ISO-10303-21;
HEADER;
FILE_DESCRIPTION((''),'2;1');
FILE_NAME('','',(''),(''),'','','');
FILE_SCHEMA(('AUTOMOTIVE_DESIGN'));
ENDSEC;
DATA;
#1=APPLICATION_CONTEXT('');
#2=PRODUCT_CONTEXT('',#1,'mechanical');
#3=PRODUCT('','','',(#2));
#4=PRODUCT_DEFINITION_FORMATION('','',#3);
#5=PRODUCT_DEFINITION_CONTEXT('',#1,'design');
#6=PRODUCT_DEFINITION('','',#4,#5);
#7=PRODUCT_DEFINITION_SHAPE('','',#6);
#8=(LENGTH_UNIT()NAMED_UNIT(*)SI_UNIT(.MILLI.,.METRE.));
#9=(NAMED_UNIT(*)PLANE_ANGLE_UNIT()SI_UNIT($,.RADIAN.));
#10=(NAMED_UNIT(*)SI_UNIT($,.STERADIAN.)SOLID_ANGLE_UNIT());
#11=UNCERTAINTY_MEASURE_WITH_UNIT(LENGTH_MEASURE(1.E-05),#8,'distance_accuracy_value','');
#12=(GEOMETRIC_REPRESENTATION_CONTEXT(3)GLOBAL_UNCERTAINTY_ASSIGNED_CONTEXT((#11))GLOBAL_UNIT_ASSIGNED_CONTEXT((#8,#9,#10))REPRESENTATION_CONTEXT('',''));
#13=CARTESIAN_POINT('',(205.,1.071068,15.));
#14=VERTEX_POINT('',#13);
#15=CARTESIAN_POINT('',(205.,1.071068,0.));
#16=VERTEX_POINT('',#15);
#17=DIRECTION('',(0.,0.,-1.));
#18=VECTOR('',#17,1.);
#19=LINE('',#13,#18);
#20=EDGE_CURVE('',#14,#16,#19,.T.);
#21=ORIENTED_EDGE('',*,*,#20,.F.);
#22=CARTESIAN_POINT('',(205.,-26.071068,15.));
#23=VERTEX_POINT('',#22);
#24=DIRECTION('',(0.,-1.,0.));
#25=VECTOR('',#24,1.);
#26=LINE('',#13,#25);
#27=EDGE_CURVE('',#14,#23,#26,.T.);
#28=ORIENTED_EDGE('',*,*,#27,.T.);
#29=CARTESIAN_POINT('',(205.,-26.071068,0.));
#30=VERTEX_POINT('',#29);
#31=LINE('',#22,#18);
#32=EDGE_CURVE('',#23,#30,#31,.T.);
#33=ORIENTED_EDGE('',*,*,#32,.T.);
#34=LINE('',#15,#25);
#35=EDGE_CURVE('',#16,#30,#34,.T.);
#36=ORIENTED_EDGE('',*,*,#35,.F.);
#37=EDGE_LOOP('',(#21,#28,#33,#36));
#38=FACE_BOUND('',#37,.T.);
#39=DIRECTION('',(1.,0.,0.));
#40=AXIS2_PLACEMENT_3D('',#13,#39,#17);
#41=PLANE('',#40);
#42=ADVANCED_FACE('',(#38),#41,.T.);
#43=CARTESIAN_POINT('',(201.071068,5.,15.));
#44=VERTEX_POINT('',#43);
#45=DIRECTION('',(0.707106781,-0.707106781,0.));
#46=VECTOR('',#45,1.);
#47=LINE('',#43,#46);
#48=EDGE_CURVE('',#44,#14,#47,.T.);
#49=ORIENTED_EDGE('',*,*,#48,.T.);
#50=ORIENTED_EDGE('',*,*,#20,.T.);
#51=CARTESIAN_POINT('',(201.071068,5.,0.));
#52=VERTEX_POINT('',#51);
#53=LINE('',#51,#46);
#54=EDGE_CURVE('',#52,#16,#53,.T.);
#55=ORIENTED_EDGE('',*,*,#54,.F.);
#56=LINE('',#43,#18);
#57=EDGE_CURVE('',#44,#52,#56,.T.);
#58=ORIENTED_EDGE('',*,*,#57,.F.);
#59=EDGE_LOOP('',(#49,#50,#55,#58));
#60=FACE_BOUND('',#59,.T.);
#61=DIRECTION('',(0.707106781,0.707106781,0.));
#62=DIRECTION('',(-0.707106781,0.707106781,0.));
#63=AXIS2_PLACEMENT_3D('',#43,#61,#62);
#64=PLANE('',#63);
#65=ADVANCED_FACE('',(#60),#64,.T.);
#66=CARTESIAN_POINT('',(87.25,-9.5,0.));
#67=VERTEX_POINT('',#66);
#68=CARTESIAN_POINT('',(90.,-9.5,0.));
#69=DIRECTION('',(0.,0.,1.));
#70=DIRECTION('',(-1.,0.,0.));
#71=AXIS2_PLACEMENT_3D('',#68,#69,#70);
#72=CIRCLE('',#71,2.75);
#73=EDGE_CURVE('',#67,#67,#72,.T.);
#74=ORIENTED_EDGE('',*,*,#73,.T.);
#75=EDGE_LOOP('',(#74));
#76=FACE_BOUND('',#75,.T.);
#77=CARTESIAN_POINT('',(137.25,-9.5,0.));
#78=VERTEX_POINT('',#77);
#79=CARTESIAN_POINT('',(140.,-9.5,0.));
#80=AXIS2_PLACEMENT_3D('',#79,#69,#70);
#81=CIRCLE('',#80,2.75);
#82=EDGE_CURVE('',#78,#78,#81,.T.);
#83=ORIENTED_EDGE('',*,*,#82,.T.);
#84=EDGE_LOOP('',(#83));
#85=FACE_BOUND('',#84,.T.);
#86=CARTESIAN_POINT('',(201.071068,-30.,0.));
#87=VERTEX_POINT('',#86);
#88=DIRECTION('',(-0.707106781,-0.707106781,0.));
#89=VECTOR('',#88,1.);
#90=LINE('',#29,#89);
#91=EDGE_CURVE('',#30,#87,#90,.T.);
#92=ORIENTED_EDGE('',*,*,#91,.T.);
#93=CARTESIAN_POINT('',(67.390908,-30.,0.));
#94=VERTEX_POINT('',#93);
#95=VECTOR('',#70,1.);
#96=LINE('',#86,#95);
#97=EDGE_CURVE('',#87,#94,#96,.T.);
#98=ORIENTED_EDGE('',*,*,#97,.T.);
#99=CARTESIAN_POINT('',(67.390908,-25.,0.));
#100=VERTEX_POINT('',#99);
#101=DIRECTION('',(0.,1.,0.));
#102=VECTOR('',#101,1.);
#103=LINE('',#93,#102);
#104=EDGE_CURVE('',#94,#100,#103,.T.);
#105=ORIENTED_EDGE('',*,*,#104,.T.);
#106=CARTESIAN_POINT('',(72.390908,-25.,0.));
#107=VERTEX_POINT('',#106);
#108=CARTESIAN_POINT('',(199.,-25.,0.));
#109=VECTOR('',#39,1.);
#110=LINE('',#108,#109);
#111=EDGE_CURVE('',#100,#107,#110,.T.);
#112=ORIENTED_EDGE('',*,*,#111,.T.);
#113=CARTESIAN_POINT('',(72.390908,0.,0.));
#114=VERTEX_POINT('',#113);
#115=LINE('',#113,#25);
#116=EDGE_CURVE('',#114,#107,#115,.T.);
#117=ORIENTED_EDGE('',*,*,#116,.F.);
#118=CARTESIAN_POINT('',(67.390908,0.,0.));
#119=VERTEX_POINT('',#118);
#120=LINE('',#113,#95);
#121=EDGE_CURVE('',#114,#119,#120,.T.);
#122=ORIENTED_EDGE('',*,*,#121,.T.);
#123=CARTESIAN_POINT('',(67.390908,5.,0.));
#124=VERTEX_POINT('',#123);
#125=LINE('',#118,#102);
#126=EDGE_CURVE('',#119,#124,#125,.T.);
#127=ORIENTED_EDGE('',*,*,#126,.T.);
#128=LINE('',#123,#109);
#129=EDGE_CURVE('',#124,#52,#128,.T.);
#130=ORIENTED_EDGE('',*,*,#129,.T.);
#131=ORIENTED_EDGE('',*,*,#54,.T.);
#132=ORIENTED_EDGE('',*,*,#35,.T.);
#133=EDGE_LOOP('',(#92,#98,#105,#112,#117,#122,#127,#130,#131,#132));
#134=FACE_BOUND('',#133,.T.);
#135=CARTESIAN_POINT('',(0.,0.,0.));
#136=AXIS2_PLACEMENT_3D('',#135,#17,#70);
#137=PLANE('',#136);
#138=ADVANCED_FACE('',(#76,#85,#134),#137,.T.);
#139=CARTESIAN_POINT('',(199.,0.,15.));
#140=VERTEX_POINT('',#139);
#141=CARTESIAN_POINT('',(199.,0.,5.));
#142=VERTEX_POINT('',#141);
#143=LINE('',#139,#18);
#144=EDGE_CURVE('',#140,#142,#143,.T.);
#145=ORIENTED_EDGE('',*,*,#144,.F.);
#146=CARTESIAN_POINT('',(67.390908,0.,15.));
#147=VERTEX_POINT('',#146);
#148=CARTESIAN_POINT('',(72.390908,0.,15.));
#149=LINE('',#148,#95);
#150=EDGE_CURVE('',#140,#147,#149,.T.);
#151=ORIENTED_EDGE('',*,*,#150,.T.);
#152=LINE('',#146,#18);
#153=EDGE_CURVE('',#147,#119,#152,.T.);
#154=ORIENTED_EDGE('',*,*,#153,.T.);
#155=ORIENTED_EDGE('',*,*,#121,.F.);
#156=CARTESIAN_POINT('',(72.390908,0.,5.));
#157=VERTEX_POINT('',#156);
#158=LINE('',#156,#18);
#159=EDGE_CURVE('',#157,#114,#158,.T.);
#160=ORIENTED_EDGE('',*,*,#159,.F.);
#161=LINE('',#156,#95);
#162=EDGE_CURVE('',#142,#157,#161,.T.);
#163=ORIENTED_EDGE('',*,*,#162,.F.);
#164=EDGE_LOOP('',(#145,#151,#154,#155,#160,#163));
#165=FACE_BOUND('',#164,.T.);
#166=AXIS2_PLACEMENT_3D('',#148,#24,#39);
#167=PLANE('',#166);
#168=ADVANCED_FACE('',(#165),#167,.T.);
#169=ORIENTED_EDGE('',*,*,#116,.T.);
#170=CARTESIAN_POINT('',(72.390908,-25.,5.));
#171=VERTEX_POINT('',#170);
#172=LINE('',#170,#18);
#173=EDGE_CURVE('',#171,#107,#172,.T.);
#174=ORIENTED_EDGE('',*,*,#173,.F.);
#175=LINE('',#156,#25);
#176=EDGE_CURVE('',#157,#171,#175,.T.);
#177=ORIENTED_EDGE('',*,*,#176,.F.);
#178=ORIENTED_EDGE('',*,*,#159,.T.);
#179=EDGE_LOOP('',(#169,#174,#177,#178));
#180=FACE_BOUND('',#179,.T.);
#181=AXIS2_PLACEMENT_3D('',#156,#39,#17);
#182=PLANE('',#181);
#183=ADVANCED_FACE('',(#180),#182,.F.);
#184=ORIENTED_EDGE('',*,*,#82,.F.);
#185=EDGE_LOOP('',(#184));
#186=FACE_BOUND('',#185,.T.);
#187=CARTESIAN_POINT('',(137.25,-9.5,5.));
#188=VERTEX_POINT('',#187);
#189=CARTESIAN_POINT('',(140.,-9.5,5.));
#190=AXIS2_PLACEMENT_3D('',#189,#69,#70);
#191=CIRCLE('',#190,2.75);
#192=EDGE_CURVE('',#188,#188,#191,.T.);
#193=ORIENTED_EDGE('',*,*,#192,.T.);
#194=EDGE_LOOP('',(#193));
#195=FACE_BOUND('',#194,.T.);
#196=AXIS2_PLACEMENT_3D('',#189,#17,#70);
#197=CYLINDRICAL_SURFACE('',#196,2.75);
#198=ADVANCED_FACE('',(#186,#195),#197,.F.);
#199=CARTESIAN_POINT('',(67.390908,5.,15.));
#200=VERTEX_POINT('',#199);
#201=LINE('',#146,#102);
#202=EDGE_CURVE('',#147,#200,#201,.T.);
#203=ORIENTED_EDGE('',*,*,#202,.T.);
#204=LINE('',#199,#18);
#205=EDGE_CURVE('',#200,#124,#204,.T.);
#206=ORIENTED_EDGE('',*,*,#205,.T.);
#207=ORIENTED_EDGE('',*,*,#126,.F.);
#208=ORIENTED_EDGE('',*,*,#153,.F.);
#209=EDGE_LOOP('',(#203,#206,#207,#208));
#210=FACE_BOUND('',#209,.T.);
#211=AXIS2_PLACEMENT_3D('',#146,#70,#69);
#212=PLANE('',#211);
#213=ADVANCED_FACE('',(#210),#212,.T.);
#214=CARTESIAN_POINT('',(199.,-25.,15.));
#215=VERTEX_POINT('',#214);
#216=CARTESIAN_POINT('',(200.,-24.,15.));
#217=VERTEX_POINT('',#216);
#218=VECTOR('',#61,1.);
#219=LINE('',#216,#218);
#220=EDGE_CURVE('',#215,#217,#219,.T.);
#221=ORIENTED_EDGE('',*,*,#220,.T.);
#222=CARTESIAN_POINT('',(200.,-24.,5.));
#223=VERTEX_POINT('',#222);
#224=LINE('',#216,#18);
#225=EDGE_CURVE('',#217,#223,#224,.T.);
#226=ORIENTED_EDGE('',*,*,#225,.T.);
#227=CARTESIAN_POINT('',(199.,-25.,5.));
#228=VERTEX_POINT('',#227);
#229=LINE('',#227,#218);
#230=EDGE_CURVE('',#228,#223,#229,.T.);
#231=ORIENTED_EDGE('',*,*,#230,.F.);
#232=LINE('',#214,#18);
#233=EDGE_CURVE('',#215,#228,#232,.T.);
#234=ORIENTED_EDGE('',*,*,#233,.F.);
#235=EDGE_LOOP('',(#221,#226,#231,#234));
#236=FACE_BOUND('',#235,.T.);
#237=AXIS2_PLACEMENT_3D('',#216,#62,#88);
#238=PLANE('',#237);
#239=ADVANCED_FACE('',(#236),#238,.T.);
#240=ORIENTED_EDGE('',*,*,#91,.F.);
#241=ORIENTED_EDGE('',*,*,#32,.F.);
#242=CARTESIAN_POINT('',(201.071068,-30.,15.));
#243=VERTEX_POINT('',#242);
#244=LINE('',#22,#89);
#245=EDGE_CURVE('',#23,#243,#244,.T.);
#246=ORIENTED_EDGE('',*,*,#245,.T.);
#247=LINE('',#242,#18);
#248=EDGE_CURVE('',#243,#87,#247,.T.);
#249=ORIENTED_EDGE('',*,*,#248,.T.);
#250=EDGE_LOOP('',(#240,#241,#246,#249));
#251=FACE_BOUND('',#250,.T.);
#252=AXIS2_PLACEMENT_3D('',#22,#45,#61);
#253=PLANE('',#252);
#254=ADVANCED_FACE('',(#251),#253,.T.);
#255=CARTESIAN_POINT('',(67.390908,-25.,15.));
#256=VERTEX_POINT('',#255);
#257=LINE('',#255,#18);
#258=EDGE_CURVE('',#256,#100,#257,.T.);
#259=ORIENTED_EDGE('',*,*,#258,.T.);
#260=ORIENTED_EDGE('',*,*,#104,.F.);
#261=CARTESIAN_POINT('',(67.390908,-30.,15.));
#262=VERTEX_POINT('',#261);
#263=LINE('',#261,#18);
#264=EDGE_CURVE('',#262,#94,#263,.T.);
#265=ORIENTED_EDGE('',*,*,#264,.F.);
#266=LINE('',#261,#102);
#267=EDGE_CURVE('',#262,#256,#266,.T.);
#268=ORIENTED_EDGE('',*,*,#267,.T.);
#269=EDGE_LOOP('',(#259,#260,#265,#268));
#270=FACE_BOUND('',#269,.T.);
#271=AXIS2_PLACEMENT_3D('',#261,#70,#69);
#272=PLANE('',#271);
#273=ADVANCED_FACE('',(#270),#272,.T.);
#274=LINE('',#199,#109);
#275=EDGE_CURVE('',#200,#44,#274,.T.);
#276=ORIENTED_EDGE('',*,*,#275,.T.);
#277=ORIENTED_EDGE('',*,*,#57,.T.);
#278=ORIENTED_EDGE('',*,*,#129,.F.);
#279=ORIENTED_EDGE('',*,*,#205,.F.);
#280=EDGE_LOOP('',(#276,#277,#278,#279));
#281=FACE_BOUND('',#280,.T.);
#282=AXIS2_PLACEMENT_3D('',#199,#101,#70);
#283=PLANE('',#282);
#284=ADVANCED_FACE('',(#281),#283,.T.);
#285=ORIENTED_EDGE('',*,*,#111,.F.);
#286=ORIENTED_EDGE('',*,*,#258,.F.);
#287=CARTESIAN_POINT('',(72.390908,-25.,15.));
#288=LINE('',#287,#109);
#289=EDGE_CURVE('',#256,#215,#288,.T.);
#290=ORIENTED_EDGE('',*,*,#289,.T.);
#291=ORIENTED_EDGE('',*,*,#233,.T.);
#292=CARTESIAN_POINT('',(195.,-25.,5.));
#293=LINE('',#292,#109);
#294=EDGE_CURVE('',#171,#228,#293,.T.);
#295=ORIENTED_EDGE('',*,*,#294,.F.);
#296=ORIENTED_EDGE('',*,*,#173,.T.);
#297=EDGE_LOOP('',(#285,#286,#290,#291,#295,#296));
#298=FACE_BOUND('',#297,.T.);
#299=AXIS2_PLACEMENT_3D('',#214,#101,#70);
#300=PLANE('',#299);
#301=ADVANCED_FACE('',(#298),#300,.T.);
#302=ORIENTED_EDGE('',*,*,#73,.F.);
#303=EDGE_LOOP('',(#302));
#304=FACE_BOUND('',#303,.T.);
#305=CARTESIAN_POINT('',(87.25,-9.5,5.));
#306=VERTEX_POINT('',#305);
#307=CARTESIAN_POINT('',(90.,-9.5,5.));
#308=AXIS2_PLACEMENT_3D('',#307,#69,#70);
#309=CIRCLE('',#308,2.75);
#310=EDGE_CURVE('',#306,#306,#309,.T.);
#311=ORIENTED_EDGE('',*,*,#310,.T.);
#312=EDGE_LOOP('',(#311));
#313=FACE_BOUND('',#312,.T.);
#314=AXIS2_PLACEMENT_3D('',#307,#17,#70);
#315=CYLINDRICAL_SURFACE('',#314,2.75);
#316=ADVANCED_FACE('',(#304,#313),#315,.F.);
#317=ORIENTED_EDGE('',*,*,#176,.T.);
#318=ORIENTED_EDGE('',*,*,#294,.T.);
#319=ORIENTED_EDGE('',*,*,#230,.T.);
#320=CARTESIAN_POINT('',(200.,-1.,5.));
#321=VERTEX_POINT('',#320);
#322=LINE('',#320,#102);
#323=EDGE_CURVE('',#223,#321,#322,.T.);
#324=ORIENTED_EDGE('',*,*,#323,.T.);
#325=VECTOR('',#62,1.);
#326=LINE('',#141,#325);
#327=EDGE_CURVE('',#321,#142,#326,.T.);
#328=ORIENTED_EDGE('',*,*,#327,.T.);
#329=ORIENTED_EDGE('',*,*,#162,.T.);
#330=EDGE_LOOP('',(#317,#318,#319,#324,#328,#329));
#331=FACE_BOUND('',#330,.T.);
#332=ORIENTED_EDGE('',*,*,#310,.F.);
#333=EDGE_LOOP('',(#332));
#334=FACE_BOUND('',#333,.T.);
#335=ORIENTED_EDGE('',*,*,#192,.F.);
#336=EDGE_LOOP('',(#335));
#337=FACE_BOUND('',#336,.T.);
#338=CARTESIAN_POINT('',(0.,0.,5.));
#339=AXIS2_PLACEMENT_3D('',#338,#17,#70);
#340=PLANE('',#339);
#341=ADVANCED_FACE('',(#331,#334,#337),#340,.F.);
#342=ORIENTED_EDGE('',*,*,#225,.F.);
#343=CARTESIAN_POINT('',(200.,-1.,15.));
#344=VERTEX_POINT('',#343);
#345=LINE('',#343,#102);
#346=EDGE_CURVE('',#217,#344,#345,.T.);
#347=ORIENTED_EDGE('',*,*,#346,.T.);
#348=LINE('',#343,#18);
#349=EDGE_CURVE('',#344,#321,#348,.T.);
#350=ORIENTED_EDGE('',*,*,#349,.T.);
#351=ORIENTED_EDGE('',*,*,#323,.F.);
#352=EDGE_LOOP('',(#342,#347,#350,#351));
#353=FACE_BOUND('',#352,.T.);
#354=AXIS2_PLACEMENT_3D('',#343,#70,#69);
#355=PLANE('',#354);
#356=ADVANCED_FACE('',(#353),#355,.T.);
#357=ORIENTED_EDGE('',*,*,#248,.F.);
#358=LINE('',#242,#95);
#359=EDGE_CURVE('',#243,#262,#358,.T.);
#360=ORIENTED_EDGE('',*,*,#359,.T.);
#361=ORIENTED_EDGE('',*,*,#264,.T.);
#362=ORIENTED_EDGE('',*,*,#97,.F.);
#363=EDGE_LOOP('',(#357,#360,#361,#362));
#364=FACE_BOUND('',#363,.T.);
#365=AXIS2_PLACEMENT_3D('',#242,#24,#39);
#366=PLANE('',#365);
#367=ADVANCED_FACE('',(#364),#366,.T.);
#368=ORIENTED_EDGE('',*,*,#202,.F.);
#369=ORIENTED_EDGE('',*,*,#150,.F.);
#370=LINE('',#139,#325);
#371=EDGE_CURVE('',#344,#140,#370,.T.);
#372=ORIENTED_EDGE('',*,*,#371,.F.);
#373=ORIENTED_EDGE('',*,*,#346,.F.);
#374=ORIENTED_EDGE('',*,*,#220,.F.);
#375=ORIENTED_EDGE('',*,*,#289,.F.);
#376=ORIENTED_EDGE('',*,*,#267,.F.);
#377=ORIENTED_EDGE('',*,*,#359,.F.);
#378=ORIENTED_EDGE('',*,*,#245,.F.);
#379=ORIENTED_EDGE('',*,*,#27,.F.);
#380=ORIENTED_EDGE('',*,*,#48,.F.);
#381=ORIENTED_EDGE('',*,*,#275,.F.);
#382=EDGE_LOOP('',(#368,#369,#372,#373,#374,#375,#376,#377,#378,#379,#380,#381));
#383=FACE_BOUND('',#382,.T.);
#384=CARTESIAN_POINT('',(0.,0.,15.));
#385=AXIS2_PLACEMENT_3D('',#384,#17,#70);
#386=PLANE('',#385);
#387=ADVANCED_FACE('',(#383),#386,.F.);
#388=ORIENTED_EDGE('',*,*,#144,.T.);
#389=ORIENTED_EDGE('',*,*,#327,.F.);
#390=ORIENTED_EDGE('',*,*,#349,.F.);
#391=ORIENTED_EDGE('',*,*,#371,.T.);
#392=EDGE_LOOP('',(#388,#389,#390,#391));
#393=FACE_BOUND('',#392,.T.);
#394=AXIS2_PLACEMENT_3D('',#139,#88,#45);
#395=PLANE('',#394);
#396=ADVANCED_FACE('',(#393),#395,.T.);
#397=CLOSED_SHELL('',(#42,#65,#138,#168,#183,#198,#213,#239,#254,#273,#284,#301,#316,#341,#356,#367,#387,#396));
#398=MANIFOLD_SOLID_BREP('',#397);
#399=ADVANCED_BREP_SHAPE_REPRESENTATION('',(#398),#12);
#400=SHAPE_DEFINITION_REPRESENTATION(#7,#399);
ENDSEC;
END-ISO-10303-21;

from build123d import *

# Parameters (mm, degrees)
SKETCH1_R           = 2.75
BOSS_EXTRUDE1_DEPTH = 5
BOSS_EXTRUDE4_DEPTH = 15


with BuildPart() as part:
    # Sketch1 → Boss-Extrude1 (new body)
    with BuildSketch(Plane.XY):
        Polygon((72.390908062, 0), (72.390908062, -25), (195, -25), (199, -25), (200, -24), (200, -1), (199, 0), (195, 0), align=None)
        with Locations(Location((90, -9.5, 0), (0, 0, 180))):
            Circle(SKETCH1_R, mode=Mode.SUBTRACT)
        with Locations(Location((140, -9.5, 0), (0, 0, 180))):
            Circle(SKETCH1_R, mode=Mode.SUBTRACT)
    extrude(amount=BOSS_EXTRUDE1_DEPTH)

    # Sketch2 → Boss-Extrude4 (add)
    with BuildSketch(Plane(origin=(0, 0, 0), x_dir=(-1, 0, 0), z_dir=(0, 0, -1))):
        Polygon((-72.390908062, 0), (-199, 0), (-200, -1), (-200, -24), (-199, -25), (-72.390908062, -25), (-67.390908062, -25), (-67.390908062, -30), (-201.071067812, -30), (-205, -26.071067812), (-205, 1.071067812), (-201.071067812, 5), (-67.390908062, 5), (-67.390908062, 0), align=None)
    extrude(amount=-BOSS_EXTRUDE4_DEPTH)


solid = part.part
